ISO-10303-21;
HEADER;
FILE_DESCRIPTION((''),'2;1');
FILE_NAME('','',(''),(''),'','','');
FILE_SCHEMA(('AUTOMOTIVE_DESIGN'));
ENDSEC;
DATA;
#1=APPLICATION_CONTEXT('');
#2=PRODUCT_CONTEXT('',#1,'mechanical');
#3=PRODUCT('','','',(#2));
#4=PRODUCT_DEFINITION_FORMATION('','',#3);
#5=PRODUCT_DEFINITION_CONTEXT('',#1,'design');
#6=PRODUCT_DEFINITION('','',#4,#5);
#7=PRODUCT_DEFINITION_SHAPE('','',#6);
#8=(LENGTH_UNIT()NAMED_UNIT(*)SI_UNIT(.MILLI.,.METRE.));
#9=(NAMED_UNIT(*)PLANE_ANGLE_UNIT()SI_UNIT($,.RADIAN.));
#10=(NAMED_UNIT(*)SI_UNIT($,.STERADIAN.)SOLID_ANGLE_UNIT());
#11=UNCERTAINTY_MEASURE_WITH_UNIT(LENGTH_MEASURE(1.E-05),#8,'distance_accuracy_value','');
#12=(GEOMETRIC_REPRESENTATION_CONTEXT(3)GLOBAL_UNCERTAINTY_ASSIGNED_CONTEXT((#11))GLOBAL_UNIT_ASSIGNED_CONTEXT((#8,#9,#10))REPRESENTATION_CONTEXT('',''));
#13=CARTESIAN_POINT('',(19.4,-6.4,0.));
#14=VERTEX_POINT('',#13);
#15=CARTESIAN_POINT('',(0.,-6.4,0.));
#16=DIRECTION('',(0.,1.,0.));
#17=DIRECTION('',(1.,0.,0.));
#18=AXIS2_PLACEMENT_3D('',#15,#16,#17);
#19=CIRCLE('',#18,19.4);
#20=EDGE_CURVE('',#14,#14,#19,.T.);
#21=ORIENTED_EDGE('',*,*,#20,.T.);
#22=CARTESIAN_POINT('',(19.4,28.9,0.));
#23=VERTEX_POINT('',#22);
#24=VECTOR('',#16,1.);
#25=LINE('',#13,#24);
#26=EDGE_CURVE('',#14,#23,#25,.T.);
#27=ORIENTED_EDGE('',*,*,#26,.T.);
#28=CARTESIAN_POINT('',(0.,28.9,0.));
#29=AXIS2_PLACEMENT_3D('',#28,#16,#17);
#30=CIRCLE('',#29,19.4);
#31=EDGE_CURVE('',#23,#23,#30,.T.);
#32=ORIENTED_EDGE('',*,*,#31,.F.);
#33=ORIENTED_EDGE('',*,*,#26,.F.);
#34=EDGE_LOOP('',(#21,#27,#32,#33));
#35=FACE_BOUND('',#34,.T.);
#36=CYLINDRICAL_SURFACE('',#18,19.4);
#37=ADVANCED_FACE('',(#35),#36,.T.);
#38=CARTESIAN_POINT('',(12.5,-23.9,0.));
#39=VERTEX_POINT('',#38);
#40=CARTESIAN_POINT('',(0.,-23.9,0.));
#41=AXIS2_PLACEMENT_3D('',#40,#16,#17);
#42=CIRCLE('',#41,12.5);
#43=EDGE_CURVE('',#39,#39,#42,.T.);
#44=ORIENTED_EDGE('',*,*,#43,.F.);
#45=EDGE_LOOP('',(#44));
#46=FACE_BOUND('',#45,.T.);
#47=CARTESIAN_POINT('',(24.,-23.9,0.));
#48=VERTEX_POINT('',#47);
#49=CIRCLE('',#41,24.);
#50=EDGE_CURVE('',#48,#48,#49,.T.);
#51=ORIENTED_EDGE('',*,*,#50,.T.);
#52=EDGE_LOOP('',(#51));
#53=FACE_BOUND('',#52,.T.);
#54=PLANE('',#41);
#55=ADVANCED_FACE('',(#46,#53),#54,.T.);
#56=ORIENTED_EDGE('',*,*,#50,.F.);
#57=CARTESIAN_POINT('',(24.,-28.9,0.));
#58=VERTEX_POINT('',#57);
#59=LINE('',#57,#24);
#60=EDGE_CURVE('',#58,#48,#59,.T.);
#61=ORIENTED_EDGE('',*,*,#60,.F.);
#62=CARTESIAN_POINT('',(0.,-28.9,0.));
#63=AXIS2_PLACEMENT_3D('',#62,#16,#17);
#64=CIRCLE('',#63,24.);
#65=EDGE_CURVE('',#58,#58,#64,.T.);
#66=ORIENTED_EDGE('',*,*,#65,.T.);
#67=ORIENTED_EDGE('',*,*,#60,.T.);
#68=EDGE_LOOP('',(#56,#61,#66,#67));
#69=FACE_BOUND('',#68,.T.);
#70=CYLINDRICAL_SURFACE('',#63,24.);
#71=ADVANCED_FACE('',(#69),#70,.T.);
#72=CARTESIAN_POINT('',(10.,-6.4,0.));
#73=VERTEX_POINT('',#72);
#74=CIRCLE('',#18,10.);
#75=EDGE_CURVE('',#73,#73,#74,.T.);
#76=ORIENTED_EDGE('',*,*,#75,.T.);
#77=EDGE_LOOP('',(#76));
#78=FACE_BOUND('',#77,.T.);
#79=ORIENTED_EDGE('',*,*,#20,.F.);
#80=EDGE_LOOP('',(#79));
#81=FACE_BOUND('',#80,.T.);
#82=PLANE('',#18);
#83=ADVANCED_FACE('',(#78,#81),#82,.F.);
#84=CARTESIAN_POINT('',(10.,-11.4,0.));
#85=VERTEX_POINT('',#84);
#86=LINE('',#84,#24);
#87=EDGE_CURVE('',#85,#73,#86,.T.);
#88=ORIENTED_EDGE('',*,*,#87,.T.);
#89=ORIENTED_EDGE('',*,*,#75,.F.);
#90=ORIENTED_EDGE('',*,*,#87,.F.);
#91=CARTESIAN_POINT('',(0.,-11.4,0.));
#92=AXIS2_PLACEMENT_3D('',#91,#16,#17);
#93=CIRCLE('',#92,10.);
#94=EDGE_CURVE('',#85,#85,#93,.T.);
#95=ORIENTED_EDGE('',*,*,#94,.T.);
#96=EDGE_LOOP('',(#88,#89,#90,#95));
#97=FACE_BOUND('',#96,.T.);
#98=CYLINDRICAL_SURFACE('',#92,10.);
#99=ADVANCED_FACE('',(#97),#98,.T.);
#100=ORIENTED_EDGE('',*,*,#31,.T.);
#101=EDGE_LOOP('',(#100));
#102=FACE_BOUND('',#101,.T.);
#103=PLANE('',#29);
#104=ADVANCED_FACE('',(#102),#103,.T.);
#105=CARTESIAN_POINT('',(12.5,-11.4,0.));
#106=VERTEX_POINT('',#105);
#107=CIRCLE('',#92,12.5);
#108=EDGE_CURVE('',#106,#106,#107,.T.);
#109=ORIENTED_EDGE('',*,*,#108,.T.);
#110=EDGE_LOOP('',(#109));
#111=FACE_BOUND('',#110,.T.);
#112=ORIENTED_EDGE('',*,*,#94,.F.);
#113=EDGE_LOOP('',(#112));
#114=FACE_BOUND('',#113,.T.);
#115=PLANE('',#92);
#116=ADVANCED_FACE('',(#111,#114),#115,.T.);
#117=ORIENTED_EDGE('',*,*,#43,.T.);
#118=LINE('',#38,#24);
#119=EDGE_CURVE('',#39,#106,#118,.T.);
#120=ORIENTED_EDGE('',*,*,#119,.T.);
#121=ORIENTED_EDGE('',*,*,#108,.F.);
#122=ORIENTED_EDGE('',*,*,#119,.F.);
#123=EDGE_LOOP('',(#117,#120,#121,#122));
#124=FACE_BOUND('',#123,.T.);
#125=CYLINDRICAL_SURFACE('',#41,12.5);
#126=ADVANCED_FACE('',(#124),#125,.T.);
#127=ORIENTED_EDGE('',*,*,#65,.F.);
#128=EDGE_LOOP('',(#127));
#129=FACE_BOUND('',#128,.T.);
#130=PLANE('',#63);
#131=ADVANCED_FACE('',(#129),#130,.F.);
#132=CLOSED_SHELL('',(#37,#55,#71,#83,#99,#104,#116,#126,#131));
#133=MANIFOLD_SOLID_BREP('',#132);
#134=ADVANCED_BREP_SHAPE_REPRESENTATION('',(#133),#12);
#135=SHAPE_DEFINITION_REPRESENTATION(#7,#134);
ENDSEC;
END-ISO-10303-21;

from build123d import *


with BuildPart() as part:
    # Sketch → Revolve (revolve)
    with BuildSketch(Plane.XY):
        Polygon((0, 28.9), (0, -28.9), (24, -28.9), (24, -23.9), (12.5, -23.9), (12.5, -11.4), (10, -11.4), (10, -6.4), (19.4, -6.4), (19.4, 28.9), align=None)
    revolve(axis=Axis((0, 0, 0), (0, 1, 0)))


solid = part.part
